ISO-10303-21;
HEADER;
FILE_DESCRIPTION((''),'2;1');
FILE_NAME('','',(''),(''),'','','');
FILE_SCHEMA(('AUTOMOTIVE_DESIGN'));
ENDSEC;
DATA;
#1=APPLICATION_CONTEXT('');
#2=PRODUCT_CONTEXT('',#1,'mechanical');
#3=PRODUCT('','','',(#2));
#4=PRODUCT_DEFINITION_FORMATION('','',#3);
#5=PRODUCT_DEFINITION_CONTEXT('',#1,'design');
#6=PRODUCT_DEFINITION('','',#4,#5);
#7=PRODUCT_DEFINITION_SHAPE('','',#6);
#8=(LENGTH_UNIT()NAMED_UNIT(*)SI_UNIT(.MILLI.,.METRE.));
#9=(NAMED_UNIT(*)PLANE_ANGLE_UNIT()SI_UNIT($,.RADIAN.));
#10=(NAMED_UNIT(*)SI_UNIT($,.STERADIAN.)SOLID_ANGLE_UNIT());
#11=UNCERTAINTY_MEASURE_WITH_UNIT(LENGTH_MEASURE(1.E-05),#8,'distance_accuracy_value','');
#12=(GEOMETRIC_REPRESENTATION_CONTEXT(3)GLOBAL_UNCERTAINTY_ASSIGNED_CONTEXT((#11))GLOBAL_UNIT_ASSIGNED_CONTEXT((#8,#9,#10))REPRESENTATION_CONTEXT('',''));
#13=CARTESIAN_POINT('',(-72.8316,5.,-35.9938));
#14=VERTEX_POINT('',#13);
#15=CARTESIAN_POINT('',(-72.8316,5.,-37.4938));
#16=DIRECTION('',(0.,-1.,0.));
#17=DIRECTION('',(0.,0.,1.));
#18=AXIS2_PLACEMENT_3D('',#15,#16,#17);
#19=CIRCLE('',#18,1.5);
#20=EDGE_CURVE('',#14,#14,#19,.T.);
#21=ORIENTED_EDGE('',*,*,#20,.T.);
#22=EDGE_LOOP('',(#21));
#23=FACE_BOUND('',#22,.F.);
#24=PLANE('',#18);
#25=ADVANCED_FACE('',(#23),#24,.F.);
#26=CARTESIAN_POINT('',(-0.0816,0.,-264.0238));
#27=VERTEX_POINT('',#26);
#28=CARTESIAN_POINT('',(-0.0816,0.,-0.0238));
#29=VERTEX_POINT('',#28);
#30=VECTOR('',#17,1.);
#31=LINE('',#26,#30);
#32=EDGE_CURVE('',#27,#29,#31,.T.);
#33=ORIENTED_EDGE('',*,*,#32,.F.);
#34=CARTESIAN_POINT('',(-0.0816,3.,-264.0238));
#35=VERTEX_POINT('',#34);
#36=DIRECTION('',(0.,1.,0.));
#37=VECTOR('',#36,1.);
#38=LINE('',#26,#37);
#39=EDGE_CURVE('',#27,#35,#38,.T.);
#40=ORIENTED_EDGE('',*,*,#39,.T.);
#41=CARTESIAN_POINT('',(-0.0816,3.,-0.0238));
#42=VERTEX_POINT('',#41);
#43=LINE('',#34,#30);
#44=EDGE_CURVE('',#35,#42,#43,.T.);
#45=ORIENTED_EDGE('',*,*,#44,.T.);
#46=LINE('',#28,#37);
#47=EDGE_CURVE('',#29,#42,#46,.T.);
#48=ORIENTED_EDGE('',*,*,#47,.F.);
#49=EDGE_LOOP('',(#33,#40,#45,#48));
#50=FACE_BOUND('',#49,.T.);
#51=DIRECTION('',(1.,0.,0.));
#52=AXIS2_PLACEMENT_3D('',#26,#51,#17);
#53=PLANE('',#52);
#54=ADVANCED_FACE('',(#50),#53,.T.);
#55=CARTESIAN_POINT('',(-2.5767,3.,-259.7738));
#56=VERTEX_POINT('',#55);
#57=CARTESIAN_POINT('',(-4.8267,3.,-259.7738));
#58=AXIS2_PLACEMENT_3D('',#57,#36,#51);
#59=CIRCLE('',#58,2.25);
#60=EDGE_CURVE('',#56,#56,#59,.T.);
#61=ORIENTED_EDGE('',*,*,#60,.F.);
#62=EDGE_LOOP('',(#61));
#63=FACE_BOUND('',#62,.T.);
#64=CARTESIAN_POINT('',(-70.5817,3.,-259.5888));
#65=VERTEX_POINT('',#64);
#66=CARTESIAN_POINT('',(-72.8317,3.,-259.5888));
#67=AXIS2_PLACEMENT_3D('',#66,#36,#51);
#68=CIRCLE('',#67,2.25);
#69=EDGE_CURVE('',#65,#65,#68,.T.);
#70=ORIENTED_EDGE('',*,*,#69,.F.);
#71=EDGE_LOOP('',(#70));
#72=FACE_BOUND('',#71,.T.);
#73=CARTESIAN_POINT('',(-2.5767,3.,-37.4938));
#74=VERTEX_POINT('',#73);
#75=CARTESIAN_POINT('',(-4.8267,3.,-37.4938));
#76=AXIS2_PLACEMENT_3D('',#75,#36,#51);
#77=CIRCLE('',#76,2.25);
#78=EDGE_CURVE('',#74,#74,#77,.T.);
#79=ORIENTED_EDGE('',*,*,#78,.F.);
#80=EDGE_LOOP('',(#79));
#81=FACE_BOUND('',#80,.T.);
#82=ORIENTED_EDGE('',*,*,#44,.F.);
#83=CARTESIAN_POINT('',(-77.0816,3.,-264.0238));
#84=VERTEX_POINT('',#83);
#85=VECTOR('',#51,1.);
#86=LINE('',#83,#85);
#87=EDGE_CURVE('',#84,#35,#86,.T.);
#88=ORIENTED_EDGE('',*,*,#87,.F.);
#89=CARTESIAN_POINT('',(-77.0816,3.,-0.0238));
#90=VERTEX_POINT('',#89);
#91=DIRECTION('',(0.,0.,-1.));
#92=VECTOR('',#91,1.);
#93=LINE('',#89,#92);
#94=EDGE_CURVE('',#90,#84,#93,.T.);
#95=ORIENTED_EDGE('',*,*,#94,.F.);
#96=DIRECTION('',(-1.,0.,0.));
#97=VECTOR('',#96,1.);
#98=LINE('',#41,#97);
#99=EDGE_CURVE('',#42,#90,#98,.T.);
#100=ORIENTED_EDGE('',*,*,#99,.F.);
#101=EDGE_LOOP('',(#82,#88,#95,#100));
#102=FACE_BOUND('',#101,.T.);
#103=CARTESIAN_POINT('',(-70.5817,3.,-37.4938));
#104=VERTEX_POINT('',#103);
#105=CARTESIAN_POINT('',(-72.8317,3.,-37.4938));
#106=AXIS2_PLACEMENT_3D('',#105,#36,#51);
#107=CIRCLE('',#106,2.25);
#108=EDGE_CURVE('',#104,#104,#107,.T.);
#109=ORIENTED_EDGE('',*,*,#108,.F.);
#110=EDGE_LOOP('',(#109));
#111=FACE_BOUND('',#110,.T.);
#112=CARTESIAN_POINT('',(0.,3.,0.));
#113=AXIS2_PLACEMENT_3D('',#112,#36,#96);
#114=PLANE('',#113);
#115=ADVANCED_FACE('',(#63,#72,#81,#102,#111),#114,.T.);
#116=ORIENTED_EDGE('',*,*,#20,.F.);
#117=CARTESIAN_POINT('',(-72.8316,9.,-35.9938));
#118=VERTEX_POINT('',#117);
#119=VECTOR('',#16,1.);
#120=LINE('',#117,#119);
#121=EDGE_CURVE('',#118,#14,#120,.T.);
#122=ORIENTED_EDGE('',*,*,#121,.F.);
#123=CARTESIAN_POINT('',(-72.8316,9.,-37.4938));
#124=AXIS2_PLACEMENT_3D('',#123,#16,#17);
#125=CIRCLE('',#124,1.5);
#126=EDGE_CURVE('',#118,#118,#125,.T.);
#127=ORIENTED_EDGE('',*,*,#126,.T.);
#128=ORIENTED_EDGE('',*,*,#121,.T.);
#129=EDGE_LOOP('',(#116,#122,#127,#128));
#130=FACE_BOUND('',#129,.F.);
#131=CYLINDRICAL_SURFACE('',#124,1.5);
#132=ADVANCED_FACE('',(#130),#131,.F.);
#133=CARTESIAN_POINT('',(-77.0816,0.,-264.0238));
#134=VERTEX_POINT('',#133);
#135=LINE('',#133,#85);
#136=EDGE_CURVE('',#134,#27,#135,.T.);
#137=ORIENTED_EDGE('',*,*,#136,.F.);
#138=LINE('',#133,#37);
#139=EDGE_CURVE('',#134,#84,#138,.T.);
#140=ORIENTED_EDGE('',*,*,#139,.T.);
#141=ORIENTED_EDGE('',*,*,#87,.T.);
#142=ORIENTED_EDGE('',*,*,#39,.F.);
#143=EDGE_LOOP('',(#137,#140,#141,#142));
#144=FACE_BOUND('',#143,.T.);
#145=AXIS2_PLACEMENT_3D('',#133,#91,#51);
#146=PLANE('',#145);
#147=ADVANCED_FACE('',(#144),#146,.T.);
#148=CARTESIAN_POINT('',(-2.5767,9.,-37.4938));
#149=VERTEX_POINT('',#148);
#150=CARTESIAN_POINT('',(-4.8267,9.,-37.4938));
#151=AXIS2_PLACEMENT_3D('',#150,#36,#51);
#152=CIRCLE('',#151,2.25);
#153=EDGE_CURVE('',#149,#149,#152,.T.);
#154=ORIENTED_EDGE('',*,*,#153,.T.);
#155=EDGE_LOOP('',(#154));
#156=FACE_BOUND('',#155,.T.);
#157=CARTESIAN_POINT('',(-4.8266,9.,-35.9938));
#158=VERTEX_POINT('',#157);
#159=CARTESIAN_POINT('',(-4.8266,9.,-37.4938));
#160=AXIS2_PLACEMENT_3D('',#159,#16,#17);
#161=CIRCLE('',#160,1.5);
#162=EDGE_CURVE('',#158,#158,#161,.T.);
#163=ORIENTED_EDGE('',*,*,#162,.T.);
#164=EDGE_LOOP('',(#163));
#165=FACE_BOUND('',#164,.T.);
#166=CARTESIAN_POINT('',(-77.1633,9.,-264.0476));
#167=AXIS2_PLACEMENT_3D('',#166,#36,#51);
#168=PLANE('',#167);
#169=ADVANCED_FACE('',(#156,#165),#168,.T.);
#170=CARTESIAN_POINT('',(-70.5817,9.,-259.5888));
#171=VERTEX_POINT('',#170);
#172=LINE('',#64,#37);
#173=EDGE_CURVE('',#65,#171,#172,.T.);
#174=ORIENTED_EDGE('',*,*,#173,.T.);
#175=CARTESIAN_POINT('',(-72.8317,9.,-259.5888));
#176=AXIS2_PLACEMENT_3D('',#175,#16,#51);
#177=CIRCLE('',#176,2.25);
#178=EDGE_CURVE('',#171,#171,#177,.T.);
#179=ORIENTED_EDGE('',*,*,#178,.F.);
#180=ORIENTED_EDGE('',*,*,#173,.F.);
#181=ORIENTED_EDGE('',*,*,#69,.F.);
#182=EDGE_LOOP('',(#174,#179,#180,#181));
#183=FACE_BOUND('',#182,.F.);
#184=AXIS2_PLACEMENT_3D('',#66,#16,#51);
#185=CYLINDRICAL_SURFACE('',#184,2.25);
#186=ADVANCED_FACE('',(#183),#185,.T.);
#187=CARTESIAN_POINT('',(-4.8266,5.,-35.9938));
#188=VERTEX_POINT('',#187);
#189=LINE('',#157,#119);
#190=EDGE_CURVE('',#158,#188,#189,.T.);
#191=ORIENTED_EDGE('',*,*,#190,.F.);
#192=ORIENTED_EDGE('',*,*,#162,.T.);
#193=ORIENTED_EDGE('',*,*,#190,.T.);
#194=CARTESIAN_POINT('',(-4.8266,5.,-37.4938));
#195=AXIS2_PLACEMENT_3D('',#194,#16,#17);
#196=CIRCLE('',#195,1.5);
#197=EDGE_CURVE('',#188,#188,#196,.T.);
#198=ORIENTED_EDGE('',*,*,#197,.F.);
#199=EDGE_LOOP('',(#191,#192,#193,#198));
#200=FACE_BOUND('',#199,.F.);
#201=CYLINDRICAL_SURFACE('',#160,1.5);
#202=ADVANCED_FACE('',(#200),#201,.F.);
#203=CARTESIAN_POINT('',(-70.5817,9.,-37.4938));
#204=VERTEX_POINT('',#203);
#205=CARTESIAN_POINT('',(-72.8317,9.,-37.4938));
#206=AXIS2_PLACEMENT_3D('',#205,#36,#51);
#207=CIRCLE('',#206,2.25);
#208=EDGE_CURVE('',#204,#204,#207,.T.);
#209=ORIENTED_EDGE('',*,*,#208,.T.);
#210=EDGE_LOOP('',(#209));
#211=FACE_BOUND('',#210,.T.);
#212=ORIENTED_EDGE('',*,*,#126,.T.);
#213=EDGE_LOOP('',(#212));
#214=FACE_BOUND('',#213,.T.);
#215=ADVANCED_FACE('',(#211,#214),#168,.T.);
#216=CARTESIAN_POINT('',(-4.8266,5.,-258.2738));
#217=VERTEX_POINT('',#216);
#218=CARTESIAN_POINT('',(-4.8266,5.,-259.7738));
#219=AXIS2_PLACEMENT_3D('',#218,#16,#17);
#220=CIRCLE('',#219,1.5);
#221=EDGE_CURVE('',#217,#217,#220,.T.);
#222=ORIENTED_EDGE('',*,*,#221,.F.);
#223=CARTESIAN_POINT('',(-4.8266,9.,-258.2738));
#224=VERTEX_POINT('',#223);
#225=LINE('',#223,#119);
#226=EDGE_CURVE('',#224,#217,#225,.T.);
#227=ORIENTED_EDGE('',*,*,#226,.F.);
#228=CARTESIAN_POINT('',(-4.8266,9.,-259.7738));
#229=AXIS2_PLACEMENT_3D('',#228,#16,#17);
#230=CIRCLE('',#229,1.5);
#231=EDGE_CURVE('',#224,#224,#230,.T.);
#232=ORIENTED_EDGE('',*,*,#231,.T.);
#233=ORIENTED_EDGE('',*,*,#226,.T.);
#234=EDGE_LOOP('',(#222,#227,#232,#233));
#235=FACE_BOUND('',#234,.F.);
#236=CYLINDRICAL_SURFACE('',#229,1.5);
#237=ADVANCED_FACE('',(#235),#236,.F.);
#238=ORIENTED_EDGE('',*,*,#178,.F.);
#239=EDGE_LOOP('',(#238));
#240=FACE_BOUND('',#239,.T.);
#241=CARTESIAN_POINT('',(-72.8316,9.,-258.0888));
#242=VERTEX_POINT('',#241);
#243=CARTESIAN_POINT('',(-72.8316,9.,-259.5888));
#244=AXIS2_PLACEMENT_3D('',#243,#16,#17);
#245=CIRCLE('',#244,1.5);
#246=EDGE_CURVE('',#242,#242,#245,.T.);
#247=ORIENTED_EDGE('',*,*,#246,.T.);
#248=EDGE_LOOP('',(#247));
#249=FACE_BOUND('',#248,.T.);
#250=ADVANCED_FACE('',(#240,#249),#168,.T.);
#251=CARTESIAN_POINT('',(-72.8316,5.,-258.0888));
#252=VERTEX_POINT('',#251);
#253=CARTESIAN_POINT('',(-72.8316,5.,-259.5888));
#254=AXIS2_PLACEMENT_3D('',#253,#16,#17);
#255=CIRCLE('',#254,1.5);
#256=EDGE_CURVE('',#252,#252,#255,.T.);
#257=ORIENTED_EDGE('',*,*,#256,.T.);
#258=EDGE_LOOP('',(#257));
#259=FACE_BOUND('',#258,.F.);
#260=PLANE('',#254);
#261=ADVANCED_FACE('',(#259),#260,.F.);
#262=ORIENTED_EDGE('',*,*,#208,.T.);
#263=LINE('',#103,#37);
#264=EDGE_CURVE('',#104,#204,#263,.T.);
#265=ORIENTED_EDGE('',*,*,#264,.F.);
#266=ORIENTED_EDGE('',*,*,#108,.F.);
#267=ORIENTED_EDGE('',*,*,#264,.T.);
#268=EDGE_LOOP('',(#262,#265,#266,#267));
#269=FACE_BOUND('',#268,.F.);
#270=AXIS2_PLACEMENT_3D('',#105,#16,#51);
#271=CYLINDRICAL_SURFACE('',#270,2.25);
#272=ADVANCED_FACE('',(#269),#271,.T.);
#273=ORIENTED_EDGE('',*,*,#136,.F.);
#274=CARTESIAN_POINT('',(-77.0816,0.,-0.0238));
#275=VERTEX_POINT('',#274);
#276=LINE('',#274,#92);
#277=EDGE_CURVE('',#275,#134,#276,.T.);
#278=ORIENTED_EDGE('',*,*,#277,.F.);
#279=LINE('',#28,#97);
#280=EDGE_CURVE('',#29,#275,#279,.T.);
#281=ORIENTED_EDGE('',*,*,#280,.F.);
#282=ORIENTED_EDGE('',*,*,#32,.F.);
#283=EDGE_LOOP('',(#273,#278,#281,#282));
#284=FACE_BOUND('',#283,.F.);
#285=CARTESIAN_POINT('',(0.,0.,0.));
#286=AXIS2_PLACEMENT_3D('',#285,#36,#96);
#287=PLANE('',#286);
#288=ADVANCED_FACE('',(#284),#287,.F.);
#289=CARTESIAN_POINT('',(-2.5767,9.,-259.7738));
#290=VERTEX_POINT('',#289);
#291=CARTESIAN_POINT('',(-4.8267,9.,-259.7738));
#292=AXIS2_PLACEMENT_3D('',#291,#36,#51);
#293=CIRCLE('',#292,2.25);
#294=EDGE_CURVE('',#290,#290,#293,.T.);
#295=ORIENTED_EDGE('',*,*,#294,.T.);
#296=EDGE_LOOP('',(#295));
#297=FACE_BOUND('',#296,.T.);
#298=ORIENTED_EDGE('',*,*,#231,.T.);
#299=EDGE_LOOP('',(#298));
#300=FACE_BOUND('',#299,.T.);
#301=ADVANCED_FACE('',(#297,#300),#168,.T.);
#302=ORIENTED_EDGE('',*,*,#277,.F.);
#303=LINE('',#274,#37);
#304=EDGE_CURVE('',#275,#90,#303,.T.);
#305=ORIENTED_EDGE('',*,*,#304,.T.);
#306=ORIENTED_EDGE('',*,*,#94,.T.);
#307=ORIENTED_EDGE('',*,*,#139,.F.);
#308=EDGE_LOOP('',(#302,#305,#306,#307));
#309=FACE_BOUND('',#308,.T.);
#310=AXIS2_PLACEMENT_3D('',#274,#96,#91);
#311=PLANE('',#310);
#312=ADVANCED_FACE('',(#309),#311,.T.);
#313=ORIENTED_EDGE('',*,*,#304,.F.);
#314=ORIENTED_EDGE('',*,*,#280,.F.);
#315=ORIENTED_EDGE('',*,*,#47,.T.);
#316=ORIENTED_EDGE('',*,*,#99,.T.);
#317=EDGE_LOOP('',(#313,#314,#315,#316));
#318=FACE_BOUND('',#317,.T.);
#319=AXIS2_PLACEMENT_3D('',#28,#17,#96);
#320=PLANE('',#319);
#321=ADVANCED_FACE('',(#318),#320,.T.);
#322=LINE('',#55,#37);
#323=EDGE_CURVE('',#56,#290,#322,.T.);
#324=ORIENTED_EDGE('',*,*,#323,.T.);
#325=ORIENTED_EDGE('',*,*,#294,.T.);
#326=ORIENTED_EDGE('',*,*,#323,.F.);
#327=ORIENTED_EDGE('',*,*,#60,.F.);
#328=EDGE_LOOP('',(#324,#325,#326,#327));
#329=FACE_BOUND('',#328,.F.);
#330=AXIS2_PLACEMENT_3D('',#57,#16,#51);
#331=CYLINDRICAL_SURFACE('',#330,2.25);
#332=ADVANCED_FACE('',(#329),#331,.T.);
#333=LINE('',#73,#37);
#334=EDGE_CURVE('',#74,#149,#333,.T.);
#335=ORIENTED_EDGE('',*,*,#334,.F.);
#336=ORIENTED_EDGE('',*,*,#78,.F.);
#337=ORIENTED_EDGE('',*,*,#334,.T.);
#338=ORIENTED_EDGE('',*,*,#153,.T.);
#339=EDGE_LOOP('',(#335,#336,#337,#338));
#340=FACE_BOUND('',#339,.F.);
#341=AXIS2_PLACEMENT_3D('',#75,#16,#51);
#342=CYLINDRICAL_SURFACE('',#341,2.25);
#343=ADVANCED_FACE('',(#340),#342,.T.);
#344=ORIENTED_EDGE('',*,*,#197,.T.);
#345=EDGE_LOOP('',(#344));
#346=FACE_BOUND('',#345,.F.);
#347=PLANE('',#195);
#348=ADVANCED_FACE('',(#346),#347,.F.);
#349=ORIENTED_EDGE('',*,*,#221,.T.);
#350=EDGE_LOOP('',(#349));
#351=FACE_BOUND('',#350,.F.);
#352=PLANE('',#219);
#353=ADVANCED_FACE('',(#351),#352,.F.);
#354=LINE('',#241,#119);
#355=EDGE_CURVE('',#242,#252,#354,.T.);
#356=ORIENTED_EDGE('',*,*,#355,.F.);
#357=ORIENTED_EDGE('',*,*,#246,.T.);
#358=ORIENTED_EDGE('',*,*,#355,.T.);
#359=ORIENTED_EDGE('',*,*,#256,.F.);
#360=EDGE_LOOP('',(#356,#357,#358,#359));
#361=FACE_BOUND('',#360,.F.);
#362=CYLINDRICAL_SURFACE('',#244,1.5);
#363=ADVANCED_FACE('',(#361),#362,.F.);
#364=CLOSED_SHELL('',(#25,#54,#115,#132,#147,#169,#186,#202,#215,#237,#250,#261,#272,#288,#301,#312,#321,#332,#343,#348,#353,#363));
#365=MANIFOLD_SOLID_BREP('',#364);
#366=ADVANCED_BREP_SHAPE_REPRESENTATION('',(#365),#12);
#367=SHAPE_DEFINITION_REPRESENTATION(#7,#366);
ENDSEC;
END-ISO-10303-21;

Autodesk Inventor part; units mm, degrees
ref_plane "YZ Plane" through (0, 0, 0) normal (1, 0, 0) x (0, 1, 0)
ref_plane "XZ Plane" through (0, 0, 0) normal (0, 1, 0) x (-1, 0, 0)
ref_plane "XY Plane" through (0, 0, 0) normal (0, 0, 1) x (1, 0, 0)
sketch "Sketch1" plane through (0, 0, 0) normal (0, 1, 0) x (-1, 0, 0)
  point P0 (0, 0)
sketch "Sketch2" plane through (0, 0, 0) normal (0, 1, 0) x (-1, 0, 0)
  line L0 (0.0816, -0.0238) -> (77.0816, -0.0238)
  line L1 (77.0816, -0.0238) -> (77.0816, -264.0238)
  line L2 (77.0816, -264.0238) -> (0.0816, -264.0238)
  line L3 (0.0816, -264.0238) -> (0.0816, -0.0238)
  line L4 (2.0816, -2.0238) -> (75.0816, -2.0238)
  line L5 (75.0816, -2.0238) -> (75.0816, -262.0238)
  line L6 (75.0816, -262.0238) -> (2.0816, -262.0238)
  line L7 (2.0816, -262.0238) -> (2.0816, -2.0238)
  line L8 (2.0816, -2.0238) -> (2.0816, -4.4588)
  line L9 (75.0816, -2.0238) -> (75.0816, -4.4588)
  line L10 (2.0816, -262.0238) -> (2.0816, -226.5538)
  circle A0 centre (72.3366, -4.2738) radius 2.25
  circle A1 centre (4.3316, -4.4588) radius 2.25
  circle A2 centre (4.3316, -226.5538) radius 2.25
  circle A3 centre (72.3366, -226.5538) radius 2.25
  dimension "d24" = 4.5
  dimension "d25" = 4.5
  dimension "d3" = 77
  dimension "d4" = 264
  dimension "d7" = 73
  dimension "d8" = 260
  dimension "d23" = 4.5
  dimension "d26" = 4.5
extrude "Extrusion1" add sketch "Sketch2" along normal blind 3 contours L0 L1 L2 L3 | A1 | A2 | A0 | L4 L5 L6 L7 | A3
sketch "Sketch3" plane through (-77.1633, 3, -264.0476) normal (0, 1, 0) x (1, 0, 0)
  line L0 (2.0816, -2.0238) -> (2.0816, -4.4588)
  line L1 (75.0816, -2.0238) -> (75.0816, -4.4588)
  circle A0 centre (72.3366, -4.2738) radius 2.25
  circle A1 centre (4.3316, -4.4588) radius 2.25
  circle A2 centre (4.3316, -226.5538) radius 2.25
  circle A3 centre (72.3366, -226.5538) radius 2.25
  dimension "d29" = 4.5
  dimension "d30" = 4.5
  dimension "d28" = 4.5
  dimension "d27" = 4.5
extrude "Extrusion3" add sketch "Sketch3" along normal blind 6
hole "Hole1" at (-4.8266, 9, -259.7738) direction (0, -1, 0) diameter 3 depth 4
hole "Hole2" at (-4.8266, 9, -37.4938) direction (0, -1, 0) diameter 3 depth 4
hole "Hole3" at (-72.8316, 9, -37.4938) direction (0, -1, 0) diameter 3 depth 4
hole "Hole4" at (-72.8316, 9, -259.5888) direction (0, -1, 0) diameter 3 depth 4
